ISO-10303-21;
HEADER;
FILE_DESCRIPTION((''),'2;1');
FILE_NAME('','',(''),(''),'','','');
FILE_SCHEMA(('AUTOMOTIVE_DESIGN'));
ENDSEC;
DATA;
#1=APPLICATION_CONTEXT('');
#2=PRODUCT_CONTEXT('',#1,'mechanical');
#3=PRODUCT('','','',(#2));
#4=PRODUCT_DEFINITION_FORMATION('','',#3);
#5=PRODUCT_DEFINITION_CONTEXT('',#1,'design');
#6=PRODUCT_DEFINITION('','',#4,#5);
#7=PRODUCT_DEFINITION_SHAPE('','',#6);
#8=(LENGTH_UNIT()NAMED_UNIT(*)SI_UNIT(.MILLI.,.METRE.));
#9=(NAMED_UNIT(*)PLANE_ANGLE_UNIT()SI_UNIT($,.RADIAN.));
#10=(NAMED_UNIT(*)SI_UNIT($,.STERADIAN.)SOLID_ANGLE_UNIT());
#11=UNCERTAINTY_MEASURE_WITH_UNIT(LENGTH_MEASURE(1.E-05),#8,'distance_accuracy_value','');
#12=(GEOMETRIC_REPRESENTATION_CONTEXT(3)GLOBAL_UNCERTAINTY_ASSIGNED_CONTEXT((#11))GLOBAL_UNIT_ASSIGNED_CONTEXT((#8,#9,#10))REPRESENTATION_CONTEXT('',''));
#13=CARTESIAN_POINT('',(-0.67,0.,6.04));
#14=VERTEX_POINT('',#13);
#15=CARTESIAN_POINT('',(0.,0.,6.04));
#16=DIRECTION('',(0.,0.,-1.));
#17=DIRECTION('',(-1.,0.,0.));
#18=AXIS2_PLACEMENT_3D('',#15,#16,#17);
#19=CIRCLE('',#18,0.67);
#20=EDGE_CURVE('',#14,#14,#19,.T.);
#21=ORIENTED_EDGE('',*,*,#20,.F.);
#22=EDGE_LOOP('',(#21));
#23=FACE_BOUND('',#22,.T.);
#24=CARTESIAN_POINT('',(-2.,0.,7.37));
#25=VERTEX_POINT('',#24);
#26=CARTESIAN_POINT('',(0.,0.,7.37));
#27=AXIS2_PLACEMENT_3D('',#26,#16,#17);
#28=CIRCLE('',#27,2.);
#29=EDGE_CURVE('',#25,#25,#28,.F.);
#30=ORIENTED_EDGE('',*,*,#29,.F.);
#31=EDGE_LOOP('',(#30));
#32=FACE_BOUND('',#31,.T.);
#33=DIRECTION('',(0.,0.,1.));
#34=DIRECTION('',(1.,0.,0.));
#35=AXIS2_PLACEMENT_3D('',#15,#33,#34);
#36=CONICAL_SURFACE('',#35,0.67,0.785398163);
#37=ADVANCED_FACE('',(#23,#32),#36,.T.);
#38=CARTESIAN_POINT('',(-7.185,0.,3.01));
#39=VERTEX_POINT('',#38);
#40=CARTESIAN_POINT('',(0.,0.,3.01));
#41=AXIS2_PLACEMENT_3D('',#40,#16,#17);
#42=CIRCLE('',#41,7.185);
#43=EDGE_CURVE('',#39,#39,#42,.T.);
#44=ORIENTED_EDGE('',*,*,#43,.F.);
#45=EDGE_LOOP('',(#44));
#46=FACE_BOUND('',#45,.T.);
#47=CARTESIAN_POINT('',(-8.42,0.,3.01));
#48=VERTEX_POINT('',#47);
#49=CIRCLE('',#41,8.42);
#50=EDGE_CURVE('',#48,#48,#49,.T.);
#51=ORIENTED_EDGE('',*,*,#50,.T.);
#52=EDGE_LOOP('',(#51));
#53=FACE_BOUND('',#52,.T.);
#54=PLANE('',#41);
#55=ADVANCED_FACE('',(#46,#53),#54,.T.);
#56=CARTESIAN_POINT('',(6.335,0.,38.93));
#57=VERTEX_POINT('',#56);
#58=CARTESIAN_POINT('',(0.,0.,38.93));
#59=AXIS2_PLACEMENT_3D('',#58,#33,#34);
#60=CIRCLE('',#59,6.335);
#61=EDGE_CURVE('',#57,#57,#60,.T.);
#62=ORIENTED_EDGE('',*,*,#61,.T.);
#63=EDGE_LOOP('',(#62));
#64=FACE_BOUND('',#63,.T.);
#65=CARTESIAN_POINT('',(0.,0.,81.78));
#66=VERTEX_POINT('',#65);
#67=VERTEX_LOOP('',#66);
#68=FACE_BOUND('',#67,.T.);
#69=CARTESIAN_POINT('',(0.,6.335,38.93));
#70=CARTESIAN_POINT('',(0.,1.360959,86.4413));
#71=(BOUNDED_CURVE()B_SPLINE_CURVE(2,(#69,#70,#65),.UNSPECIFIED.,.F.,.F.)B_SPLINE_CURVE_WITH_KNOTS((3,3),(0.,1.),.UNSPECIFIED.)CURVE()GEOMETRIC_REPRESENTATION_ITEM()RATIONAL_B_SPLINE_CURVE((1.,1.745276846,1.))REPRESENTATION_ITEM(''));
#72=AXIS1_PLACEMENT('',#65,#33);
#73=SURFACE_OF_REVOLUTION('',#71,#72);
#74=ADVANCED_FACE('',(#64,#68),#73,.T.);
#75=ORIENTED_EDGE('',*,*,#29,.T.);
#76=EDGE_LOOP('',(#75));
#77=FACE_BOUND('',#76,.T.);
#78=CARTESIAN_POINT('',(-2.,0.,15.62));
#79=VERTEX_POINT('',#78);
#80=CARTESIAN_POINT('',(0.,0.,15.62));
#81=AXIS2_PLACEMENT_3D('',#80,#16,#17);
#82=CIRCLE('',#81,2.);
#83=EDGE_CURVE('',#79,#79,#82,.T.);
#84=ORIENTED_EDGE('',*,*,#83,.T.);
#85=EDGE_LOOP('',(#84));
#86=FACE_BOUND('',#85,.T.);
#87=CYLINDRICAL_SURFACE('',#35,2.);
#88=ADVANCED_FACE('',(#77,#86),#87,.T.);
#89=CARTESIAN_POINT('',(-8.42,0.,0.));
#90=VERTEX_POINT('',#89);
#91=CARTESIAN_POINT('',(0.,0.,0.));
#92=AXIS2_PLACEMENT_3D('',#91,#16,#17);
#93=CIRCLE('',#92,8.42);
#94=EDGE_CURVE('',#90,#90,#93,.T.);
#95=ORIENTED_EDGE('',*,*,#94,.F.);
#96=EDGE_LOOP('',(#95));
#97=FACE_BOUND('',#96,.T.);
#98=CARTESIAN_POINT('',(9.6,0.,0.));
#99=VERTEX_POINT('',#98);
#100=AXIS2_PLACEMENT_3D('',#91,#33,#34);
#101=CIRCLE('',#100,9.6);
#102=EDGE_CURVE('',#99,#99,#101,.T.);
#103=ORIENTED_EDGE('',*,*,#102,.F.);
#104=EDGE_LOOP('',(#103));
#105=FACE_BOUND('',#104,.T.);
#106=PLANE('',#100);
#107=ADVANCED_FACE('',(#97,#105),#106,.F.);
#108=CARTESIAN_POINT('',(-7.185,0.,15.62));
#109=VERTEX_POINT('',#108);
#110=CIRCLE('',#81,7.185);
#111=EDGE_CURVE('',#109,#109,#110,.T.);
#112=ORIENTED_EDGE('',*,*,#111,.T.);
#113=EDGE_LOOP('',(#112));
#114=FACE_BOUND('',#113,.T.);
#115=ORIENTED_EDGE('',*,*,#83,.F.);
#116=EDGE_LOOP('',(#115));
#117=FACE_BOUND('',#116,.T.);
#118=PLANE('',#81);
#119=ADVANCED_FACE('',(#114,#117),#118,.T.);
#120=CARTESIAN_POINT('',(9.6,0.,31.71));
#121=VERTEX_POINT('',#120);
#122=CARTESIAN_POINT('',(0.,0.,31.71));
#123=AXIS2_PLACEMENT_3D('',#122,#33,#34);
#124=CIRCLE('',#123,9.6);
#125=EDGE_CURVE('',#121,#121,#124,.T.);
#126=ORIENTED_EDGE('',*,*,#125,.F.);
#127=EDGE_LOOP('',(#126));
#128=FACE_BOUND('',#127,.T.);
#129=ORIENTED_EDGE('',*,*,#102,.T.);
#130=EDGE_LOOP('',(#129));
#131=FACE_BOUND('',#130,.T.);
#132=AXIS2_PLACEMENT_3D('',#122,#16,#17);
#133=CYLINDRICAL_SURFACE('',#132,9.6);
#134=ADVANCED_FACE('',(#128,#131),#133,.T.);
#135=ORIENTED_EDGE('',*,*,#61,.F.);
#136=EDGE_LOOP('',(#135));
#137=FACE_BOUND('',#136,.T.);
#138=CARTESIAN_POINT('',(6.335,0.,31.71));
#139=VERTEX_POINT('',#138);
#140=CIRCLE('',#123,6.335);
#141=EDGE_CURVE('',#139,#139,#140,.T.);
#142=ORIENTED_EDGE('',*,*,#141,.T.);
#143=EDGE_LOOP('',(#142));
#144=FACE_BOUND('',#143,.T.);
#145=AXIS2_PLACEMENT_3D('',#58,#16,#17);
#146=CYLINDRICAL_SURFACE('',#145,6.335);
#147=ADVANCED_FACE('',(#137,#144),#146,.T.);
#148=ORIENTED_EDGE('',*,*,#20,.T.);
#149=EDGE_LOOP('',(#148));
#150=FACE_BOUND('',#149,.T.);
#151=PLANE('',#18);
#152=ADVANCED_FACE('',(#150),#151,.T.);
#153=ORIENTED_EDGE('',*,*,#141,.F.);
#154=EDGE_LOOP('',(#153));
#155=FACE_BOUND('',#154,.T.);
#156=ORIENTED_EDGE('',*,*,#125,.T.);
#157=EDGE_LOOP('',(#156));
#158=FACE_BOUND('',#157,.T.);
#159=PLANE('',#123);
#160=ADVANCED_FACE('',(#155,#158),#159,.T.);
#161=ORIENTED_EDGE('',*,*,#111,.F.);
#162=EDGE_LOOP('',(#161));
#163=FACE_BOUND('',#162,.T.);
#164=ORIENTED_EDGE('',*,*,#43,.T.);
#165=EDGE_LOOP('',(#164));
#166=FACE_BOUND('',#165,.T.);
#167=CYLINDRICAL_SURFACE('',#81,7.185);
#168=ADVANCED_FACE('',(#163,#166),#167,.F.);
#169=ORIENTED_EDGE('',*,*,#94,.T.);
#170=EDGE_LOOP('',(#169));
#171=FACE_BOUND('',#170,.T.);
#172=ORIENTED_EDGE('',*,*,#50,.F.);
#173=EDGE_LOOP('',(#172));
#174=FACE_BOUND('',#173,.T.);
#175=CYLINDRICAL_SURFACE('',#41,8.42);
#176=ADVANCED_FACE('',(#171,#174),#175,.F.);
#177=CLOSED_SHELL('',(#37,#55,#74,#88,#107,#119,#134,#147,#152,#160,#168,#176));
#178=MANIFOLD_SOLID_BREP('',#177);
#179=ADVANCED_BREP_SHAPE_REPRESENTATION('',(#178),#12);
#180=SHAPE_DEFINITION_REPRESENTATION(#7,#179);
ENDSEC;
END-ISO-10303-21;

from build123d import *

# Parameters (mm, degrees)
SKETCH1_R           = 9.6
BOSS_EXTRUDE1_DEPTH = 31.71
SKETCH4_R           = 8.42
CUT_EXTRUDE1_DEPTH  = 3.01
SKETCH5_R           = 7.185
CUT_EXTRUDE3_DEPTH  = 12.61
SKETCH6_R           = 2
BOSS_EXTRUDE2_DEPTH = 9.58
CHAMFER1_SIZE       = 1.33
SKETCH7_R           = 6.335
BOSS_EXTRUDE3_DEPTH = 7.22


with BuildPart() as part:
    # Sketch1 → Boss-Extrude1 (new body)
    with BuildSketch(Plane.XY):
        Circle(SKETCH1_R)
    extrude(amount=BOSS_EXTRUDE1_DEPTH)

    # Sketch4 → Cut-Extrude1 (cut)
    with BuildSketch(Plane(origin=(0, 0, 0), x_dir=(-1, 0, 0), z_dir=(0, 0, -1))):
        Circle(SKETCH4_R)
    extrude(amount=-CUT_EXTRUDE1_DEPTH, mode=Mode.SUBTRACT)

    # Sketch5 → Cut-Extrude3 (cut)
    with BuildSketch(Plane(origin=(0, 0, 3.01), x_dir=(-1, 0, 0), z_dir=(0, 0, -1))):
        Circle(SKETCH5_R)
    extrude(amount=-CUT_EXTRUDE3_DEPTH, mode=Mode.SUBTRACT)

    # Sketch6 → Boss-Extrude2 (add)
    with BuildSketch(Plane(origin=(0, 0, 15.62), x_dir=(-1, 0, 0), z_dir=(0, 0, -1))):
        Circle(SKETCH6_R)
    extrude(amount=BOSS_EXTRUDE2_DEPTH)

    # Chamfer1
    chamfer1_edges = [part.edges().sort_by_distance(p)[0] for p in [
        (2, 0, 6.04),
    ]]
    chamfer(chamfer1_edges, length=CHAMFER1_SIZE)

    # Sketch7 → Boss-Extrude3 (add)
    with BuildSketch(Plane.XY.offset(31.71)):
        Circle(SKETCH7_R)
    extrude(amount=BOSS_EXTRUDE3_DEPTH)

    # Sketch10 → Revolve2 (revolve)
    with BuildSketch(Plane(origin=(0, 0, 0), x_dir=(0, 0, -1), z_dir=(1, 0, 0))):
        with BuildLine():
            Line((-81.78, 0), (-38.93, 0))
            Line((-38.93, 0), (-38.93, 6.335))
            add(Edge.make_bspline(
                [(-38.93, 6.335), (-86.441299856, 1.360959474), (-81.78, 0)],
                knots=[0, 0, 0, 1, 1, 1], degree=2, weights=[1, 1.745276846, 1]))
        make_face()
    revolve(axis=Axis((0, 0, 81.78), (0, 0, -1)))


solid = part.part
